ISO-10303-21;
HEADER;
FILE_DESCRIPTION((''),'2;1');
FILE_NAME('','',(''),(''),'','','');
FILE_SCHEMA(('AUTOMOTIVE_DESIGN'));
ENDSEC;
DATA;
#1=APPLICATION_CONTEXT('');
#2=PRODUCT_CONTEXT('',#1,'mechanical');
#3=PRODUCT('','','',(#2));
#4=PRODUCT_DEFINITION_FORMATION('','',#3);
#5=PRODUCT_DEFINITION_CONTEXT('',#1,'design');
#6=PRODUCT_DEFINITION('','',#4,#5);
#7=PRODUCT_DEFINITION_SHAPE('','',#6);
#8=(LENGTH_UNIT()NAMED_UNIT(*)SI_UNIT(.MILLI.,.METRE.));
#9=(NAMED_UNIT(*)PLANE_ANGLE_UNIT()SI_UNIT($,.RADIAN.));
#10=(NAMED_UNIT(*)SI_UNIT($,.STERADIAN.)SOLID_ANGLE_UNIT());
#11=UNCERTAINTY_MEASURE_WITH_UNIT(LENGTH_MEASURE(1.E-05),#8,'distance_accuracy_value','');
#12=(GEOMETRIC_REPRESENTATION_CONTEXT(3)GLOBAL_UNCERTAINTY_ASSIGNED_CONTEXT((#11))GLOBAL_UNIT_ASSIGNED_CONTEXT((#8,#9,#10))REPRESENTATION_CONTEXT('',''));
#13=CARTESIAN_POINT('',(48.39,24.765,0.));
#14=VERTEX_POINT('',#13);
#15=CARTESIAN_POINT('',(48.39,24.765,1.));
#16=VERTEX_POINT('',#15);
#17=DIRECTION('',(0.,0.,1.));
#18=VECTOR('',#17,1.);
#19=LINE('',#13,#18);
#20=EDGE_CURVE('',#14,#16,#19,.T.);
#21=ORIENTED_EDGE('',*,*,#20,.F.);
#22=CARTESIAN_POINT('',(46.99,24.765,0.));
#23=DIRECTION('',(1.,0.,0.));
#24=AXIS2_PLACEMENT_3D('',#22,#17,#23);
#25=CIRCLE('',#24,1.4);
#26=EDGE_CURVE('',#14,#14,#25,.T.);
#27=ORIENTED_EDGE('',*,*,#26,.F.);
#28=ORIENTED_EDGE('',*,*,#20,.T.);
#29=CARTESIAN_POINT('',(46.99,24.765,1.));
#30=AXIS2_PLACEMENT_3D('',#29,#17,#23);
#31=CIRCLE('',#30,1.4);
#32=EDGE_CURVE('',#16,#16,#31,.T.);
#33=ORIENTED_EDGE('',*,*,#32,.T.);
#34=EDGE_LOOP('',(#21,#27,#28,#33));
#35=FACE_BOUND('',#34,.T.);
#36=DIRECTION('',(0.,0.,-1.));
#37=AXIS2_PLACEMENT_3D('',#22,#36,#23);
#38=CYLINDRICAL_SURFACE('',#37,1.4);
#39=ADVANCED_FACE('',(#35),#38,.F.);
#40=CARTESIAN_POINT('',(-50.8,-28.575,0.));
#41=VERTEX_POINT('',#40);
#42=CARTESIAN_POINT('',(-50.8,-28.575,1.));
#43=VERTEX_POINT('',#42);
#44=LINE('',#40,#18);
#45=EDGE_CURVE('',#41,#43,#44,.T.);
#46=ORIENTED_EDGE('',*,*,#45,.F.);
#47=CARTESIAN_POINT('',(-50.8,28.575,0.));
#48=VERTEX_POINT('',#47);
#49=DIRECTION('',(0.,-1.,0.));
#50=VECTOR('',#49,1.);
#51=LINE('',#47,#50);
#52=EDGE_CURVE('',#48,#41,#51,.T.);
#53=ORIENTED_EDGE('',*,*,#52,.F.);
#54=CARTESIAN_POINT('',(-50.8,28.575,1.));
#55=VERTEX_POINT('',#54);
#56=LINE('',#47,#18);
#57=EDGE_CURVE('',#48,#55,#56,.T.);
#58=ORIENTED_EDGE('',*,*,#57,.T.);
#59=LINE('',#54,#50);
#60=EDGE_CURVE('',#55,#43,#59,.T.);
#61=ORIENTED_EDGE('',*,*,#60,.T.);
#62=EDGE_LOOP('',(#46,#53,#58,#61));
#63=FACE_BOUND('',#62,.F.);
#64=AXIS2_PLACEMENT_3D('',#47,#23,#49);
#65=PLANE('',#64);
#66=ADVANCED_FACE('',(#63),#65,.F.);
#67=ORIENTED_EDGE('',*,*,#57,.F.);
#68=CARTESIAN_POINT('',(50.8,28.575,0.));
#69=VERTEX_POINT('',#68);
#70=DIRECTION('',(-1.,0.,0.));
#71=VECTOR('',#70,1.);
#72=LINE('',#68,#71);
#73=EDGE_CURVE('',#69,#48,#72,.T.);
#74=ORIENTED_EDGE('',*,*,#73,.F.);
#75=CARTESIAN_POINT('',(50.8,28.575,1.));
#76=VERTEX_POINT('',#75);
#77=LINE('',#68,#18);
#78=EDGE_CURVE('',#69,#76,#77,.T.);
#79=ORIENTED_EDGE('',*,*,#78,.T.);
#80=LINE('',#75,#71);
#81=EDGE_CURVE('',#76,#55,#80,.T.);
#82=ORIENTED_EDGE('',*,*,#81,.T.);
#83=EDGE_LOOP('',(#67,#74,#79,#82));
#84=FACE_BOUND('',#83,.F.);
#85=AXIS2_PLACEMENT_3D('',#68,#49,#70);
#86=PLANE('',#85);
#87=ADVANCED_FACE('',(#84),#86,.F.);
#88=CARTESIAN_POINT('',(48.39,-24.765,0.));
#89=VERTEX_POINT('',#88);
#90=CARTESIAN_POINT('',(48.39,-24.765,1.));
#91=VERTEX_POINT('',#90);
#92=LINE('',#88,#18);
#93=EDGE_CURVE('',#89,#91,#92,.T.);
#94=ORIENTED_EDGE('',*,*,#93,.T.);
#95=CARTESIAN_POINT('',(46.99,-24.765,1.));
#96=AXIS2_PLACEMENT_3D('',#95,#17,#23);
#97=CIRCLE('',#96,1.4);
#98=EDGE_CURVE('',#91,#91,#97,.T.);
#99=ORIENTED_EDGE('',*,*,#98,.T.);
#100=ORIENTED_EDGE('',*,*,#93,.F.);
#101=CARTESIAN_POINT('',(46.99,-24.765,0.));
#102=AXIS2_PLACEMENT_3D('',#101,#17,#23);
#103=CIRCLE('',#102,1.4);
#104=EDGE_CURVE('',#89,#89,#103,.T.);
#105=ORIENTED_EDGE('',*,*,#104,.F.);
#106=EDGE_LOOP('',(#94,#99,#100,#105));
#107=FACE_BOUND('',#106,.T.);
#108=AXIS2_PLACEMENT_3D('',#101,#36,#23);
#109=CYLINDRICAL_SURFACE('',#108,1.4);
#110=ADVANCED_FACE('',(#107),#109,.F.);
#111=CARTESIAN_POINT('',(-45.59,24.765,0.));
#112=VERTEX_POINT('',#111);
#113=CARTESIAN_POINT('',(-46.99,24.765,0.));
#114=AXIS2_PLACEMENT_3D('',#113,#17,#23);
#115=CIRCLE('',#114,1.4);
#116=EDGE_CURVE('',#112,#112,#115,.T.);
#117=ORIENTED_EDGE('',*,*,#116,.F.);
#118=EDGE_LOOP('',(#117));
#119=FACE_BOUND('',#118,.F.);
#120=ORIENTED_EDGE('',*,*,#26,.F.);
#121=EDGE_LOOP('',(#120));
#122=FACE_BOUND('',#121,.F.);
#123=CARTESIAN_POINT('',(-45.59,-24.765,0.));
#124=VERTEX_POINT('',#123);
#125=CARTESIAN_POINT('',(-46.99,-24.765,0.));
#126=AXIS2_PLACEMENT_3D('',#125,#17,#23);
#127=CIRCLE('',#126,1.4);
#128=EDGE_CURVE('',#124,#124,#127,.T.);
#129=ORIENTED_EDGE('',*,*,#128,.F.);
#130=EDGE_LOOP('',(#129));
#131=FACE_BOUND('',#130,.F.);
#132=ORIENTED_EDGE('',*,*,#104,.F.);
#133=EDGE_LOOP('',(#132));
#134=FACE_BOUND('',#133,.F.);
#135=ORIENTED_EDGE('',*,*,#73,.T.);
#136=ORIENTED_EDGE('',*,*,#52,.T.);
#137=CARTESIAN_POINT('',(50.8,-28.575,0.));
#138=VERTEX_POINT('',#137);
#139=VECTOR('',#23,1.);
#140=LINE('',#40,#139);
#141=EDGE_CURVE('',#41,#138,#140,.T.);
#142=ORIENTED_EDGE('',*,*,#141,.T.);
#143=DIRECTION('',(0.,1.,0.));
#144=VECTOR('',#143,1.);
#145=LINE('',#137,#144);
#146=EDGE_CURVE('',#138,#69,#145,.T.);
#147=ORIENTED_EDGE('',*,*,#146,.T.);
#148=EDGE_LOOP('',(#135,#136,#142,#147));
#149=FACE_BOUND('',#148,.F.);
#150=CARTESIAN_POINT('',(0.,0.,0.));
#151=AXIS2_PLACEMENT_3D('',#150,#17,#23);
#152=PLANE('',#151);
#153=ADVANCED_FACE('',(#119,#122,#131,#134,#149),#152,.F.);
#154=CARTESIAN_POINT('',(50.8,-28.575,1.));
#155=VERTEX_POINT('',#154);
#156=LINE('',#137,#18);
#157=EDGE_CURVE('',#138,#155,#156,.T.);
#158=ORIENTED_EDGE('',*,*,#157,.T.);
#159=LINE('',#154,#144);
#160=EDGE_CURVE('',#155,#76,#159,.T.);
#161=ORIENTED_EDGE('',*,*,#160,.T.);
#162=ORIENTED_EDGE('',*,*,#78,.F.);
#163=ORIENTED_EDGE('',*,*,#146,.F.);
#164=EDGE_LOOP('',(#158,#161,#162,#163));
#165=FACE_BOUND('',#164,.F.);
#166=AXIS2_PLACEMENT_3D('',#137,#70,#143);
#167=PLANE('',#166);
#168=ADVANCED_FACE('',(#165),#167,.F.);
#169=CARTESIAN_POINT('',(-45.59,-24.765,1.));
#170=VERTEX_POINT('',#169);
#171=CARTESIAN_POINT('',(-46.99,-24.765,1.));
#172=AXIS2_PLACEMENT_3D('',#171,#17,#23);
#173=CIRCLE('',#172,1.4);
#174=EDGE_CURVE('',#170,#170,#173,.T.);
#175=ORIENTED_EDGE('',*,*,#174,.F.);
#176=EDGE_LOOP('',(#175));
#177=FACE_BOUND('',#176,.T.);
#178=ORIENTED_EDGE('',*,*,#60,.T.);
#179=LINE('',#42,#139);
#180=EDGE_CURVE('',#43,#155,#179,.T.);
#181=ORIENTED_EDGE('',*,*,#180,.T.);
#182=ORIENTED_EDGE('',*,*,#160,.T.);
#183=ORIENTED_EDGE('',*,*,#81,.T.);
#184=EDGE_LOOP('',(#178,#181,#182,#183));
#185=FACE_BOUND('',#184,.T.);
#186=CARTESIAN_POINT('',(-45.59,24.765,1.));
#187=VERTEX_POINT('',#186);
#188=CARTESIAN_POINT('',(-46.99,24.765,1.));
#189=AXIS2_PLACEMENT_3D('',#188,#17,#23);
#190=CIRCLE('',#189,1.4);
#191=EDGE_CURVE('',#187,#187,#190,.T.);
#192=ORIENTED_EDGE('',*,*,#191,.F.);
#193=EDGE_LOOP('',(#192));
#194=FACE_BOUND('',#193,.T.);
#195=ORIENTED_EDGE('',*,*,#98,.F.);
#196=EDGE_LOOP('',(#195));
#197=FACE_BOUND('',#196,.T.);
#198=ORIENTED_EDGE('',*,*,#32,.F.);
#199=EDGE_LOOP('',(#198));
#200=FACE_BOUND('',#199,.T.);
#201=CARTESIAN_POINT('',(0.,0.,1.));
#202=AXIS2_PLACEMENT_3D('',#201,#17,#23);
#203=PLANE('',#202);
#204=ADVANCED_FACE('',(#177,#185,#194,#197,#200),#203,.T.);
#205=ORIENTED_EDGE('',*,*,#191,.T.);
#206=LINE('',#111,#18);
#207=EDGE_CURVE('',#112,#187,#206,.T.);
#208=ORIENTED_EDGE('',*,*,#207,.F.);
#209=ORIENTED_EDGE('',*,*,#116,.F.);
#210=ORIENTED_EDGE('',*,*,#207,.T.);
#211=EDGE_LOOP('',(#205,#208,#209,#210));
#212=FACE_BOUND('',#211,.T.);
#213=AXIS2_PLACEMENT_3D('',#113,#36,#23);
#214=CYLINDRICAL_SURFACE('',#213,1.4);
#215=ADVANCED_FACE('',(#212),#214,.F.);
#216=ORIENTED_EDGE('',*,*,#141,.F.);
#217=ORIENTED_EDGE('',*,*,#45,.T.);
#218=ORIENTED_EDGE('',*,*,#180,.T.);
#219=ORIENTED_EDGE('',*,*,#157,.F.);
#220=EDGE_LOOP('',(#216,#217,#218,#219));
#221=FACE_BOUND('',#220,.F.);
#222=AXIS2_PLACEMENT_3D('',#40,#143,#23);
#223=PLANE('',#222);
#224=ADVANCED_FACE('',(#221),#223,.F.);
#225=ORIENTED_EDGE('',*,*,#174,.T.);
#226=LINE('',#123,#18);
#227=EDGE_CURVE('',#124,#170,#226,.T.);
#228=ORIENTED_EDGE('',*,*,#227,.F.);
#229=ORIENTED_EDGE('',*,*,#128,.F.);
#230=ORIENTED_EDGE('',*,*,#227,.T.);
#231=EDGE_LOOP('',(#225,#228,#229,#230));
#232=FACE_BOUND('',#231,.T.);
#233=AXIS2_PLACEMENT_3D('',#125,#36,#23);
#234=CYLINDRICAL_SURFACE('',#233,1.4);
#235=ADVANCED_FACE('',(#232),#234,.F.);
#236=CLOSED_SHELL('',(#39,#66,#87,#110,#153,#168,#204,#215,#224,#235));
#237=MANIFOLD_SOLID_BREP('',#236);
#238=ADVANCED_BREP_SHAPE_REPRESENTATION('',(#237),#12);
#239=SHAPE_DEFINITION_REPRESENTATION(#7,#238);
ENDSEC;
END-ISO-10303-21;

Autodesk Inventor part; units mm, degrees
ref_plane "YZ Plane" through (0, 0, 0) normal (1, 0, 0) x (0, 1, 0)
ref_plane "XZ Plane" through (0, 0, 0) normal (0, 1, 0) x (-1, 0, 0)
ref_plane "XY Plane" through (0, 0, 0) normal (0, 0, 1) x (1, 0, 0)
sketch "Sketch1" plane through (0, 0, 0) normal (0, 0, 1) x (1, 0, 0)
  line L0 (-50.8, -28.575) -> (50.8, -28.575)
  line L1 (50.8, -28.575) -> (50.8, 28.575)
  line L2 (50.8, 28.575) -> (-50.8, 28.575)
  line L3 (-50.8, 28.575) -> (-50.8, -28.575)
  line L4 (-50.8, -28.575) -> (50.8, 28.575) construction
  line L5 (50.8, -28.575) -> (-50.8, 28.575) construction
  circle A0 centre (-46.99, 24.765) radius 1.4
  line L6 (-50.8, 0) -> (50.8, 0) construction
  line L7 (0, 28.575) -> (0, -28.575) construction
  circle A1 centre (-46.99, -24.765) radius 1.4
  circle A2 centre (46.99, 24.765) radius 1.4
  circle A3 centre (46.99, -24.765) radius 1.4
  circle A4 centre (-26.67, 24.765) radius 1.4
  circle A5 centre (26.67, 24.765) radius 1.4
  circle A6 centre (-26.67, -24.765) radius 1.4
  circle A7 centre (26.67, -24.765) radius 1.4
  point P0 (0, 0)
  dimension "d2" = 101.6
  dimension "d4" = 57.15
  dimension "d5" = 49.53
  dimension "d6" = 2.8
  dimension "d8" = 2.8
  dimension "d10" = 49.53
  dimension "d21" = 3.81
  dimension "d22" = 3.81
  dimension "d23" = 3.81
  dimension "d24" = 3.81
  dimension "d25" = 3.81
  dimension "d26" = 3.81
  dimension "d27" = 3.81
  dimension "d28" = 3.81
  dimension "d29" = 20.32
  dimension "d30" = 53.34
  dimension "d31" = 49.53
  dimension "d32" = 93.98
extrude "Extrusion1" add sketch "Sketch1" along normal blind 1 contours L3 L2 L1 L0 | A4 | A5 | A6 | A7
sketch "Sketch3" plane through (0, 0, 1) normal (0, 0, 1) x (1, 0, 0)
  circle A0 centre (26.67, -24.765) radius 1.4 projected
  circle A1 centre (-26.67, -24.765) radius 1.4 projected
  line L0 (50.8, 28.575) -> (-50.8, 28.575) projected
  line L1 (-21.67, -25.765) -> (21.67, -25.765)
  line L2 (21.67, -25.765) -> (21.67, 30.575)
  line L3 (21.67, 30.575) -> (-21.67, 30.575)
  line L4 (-21.67, 30.575) -> (-21.67, -25.765)
  line L5 (50.8, -28.575) -> (50.8, 28.575) projected
  line L6 (-50.8, 28.575) -> (-50.8, -28.575) projected
  point P0 (0, 0)
  dimension "d15" = 2
  dimension "d16" = 5
  dimension "d17" = 5
  dimension "d18" = 1
  dimension "d33" = 29.13
  dimension "d34" = 29.13
extrude "Extrusion3" [suppressed]
properties part number "PCB01" material "PCB(1)"
